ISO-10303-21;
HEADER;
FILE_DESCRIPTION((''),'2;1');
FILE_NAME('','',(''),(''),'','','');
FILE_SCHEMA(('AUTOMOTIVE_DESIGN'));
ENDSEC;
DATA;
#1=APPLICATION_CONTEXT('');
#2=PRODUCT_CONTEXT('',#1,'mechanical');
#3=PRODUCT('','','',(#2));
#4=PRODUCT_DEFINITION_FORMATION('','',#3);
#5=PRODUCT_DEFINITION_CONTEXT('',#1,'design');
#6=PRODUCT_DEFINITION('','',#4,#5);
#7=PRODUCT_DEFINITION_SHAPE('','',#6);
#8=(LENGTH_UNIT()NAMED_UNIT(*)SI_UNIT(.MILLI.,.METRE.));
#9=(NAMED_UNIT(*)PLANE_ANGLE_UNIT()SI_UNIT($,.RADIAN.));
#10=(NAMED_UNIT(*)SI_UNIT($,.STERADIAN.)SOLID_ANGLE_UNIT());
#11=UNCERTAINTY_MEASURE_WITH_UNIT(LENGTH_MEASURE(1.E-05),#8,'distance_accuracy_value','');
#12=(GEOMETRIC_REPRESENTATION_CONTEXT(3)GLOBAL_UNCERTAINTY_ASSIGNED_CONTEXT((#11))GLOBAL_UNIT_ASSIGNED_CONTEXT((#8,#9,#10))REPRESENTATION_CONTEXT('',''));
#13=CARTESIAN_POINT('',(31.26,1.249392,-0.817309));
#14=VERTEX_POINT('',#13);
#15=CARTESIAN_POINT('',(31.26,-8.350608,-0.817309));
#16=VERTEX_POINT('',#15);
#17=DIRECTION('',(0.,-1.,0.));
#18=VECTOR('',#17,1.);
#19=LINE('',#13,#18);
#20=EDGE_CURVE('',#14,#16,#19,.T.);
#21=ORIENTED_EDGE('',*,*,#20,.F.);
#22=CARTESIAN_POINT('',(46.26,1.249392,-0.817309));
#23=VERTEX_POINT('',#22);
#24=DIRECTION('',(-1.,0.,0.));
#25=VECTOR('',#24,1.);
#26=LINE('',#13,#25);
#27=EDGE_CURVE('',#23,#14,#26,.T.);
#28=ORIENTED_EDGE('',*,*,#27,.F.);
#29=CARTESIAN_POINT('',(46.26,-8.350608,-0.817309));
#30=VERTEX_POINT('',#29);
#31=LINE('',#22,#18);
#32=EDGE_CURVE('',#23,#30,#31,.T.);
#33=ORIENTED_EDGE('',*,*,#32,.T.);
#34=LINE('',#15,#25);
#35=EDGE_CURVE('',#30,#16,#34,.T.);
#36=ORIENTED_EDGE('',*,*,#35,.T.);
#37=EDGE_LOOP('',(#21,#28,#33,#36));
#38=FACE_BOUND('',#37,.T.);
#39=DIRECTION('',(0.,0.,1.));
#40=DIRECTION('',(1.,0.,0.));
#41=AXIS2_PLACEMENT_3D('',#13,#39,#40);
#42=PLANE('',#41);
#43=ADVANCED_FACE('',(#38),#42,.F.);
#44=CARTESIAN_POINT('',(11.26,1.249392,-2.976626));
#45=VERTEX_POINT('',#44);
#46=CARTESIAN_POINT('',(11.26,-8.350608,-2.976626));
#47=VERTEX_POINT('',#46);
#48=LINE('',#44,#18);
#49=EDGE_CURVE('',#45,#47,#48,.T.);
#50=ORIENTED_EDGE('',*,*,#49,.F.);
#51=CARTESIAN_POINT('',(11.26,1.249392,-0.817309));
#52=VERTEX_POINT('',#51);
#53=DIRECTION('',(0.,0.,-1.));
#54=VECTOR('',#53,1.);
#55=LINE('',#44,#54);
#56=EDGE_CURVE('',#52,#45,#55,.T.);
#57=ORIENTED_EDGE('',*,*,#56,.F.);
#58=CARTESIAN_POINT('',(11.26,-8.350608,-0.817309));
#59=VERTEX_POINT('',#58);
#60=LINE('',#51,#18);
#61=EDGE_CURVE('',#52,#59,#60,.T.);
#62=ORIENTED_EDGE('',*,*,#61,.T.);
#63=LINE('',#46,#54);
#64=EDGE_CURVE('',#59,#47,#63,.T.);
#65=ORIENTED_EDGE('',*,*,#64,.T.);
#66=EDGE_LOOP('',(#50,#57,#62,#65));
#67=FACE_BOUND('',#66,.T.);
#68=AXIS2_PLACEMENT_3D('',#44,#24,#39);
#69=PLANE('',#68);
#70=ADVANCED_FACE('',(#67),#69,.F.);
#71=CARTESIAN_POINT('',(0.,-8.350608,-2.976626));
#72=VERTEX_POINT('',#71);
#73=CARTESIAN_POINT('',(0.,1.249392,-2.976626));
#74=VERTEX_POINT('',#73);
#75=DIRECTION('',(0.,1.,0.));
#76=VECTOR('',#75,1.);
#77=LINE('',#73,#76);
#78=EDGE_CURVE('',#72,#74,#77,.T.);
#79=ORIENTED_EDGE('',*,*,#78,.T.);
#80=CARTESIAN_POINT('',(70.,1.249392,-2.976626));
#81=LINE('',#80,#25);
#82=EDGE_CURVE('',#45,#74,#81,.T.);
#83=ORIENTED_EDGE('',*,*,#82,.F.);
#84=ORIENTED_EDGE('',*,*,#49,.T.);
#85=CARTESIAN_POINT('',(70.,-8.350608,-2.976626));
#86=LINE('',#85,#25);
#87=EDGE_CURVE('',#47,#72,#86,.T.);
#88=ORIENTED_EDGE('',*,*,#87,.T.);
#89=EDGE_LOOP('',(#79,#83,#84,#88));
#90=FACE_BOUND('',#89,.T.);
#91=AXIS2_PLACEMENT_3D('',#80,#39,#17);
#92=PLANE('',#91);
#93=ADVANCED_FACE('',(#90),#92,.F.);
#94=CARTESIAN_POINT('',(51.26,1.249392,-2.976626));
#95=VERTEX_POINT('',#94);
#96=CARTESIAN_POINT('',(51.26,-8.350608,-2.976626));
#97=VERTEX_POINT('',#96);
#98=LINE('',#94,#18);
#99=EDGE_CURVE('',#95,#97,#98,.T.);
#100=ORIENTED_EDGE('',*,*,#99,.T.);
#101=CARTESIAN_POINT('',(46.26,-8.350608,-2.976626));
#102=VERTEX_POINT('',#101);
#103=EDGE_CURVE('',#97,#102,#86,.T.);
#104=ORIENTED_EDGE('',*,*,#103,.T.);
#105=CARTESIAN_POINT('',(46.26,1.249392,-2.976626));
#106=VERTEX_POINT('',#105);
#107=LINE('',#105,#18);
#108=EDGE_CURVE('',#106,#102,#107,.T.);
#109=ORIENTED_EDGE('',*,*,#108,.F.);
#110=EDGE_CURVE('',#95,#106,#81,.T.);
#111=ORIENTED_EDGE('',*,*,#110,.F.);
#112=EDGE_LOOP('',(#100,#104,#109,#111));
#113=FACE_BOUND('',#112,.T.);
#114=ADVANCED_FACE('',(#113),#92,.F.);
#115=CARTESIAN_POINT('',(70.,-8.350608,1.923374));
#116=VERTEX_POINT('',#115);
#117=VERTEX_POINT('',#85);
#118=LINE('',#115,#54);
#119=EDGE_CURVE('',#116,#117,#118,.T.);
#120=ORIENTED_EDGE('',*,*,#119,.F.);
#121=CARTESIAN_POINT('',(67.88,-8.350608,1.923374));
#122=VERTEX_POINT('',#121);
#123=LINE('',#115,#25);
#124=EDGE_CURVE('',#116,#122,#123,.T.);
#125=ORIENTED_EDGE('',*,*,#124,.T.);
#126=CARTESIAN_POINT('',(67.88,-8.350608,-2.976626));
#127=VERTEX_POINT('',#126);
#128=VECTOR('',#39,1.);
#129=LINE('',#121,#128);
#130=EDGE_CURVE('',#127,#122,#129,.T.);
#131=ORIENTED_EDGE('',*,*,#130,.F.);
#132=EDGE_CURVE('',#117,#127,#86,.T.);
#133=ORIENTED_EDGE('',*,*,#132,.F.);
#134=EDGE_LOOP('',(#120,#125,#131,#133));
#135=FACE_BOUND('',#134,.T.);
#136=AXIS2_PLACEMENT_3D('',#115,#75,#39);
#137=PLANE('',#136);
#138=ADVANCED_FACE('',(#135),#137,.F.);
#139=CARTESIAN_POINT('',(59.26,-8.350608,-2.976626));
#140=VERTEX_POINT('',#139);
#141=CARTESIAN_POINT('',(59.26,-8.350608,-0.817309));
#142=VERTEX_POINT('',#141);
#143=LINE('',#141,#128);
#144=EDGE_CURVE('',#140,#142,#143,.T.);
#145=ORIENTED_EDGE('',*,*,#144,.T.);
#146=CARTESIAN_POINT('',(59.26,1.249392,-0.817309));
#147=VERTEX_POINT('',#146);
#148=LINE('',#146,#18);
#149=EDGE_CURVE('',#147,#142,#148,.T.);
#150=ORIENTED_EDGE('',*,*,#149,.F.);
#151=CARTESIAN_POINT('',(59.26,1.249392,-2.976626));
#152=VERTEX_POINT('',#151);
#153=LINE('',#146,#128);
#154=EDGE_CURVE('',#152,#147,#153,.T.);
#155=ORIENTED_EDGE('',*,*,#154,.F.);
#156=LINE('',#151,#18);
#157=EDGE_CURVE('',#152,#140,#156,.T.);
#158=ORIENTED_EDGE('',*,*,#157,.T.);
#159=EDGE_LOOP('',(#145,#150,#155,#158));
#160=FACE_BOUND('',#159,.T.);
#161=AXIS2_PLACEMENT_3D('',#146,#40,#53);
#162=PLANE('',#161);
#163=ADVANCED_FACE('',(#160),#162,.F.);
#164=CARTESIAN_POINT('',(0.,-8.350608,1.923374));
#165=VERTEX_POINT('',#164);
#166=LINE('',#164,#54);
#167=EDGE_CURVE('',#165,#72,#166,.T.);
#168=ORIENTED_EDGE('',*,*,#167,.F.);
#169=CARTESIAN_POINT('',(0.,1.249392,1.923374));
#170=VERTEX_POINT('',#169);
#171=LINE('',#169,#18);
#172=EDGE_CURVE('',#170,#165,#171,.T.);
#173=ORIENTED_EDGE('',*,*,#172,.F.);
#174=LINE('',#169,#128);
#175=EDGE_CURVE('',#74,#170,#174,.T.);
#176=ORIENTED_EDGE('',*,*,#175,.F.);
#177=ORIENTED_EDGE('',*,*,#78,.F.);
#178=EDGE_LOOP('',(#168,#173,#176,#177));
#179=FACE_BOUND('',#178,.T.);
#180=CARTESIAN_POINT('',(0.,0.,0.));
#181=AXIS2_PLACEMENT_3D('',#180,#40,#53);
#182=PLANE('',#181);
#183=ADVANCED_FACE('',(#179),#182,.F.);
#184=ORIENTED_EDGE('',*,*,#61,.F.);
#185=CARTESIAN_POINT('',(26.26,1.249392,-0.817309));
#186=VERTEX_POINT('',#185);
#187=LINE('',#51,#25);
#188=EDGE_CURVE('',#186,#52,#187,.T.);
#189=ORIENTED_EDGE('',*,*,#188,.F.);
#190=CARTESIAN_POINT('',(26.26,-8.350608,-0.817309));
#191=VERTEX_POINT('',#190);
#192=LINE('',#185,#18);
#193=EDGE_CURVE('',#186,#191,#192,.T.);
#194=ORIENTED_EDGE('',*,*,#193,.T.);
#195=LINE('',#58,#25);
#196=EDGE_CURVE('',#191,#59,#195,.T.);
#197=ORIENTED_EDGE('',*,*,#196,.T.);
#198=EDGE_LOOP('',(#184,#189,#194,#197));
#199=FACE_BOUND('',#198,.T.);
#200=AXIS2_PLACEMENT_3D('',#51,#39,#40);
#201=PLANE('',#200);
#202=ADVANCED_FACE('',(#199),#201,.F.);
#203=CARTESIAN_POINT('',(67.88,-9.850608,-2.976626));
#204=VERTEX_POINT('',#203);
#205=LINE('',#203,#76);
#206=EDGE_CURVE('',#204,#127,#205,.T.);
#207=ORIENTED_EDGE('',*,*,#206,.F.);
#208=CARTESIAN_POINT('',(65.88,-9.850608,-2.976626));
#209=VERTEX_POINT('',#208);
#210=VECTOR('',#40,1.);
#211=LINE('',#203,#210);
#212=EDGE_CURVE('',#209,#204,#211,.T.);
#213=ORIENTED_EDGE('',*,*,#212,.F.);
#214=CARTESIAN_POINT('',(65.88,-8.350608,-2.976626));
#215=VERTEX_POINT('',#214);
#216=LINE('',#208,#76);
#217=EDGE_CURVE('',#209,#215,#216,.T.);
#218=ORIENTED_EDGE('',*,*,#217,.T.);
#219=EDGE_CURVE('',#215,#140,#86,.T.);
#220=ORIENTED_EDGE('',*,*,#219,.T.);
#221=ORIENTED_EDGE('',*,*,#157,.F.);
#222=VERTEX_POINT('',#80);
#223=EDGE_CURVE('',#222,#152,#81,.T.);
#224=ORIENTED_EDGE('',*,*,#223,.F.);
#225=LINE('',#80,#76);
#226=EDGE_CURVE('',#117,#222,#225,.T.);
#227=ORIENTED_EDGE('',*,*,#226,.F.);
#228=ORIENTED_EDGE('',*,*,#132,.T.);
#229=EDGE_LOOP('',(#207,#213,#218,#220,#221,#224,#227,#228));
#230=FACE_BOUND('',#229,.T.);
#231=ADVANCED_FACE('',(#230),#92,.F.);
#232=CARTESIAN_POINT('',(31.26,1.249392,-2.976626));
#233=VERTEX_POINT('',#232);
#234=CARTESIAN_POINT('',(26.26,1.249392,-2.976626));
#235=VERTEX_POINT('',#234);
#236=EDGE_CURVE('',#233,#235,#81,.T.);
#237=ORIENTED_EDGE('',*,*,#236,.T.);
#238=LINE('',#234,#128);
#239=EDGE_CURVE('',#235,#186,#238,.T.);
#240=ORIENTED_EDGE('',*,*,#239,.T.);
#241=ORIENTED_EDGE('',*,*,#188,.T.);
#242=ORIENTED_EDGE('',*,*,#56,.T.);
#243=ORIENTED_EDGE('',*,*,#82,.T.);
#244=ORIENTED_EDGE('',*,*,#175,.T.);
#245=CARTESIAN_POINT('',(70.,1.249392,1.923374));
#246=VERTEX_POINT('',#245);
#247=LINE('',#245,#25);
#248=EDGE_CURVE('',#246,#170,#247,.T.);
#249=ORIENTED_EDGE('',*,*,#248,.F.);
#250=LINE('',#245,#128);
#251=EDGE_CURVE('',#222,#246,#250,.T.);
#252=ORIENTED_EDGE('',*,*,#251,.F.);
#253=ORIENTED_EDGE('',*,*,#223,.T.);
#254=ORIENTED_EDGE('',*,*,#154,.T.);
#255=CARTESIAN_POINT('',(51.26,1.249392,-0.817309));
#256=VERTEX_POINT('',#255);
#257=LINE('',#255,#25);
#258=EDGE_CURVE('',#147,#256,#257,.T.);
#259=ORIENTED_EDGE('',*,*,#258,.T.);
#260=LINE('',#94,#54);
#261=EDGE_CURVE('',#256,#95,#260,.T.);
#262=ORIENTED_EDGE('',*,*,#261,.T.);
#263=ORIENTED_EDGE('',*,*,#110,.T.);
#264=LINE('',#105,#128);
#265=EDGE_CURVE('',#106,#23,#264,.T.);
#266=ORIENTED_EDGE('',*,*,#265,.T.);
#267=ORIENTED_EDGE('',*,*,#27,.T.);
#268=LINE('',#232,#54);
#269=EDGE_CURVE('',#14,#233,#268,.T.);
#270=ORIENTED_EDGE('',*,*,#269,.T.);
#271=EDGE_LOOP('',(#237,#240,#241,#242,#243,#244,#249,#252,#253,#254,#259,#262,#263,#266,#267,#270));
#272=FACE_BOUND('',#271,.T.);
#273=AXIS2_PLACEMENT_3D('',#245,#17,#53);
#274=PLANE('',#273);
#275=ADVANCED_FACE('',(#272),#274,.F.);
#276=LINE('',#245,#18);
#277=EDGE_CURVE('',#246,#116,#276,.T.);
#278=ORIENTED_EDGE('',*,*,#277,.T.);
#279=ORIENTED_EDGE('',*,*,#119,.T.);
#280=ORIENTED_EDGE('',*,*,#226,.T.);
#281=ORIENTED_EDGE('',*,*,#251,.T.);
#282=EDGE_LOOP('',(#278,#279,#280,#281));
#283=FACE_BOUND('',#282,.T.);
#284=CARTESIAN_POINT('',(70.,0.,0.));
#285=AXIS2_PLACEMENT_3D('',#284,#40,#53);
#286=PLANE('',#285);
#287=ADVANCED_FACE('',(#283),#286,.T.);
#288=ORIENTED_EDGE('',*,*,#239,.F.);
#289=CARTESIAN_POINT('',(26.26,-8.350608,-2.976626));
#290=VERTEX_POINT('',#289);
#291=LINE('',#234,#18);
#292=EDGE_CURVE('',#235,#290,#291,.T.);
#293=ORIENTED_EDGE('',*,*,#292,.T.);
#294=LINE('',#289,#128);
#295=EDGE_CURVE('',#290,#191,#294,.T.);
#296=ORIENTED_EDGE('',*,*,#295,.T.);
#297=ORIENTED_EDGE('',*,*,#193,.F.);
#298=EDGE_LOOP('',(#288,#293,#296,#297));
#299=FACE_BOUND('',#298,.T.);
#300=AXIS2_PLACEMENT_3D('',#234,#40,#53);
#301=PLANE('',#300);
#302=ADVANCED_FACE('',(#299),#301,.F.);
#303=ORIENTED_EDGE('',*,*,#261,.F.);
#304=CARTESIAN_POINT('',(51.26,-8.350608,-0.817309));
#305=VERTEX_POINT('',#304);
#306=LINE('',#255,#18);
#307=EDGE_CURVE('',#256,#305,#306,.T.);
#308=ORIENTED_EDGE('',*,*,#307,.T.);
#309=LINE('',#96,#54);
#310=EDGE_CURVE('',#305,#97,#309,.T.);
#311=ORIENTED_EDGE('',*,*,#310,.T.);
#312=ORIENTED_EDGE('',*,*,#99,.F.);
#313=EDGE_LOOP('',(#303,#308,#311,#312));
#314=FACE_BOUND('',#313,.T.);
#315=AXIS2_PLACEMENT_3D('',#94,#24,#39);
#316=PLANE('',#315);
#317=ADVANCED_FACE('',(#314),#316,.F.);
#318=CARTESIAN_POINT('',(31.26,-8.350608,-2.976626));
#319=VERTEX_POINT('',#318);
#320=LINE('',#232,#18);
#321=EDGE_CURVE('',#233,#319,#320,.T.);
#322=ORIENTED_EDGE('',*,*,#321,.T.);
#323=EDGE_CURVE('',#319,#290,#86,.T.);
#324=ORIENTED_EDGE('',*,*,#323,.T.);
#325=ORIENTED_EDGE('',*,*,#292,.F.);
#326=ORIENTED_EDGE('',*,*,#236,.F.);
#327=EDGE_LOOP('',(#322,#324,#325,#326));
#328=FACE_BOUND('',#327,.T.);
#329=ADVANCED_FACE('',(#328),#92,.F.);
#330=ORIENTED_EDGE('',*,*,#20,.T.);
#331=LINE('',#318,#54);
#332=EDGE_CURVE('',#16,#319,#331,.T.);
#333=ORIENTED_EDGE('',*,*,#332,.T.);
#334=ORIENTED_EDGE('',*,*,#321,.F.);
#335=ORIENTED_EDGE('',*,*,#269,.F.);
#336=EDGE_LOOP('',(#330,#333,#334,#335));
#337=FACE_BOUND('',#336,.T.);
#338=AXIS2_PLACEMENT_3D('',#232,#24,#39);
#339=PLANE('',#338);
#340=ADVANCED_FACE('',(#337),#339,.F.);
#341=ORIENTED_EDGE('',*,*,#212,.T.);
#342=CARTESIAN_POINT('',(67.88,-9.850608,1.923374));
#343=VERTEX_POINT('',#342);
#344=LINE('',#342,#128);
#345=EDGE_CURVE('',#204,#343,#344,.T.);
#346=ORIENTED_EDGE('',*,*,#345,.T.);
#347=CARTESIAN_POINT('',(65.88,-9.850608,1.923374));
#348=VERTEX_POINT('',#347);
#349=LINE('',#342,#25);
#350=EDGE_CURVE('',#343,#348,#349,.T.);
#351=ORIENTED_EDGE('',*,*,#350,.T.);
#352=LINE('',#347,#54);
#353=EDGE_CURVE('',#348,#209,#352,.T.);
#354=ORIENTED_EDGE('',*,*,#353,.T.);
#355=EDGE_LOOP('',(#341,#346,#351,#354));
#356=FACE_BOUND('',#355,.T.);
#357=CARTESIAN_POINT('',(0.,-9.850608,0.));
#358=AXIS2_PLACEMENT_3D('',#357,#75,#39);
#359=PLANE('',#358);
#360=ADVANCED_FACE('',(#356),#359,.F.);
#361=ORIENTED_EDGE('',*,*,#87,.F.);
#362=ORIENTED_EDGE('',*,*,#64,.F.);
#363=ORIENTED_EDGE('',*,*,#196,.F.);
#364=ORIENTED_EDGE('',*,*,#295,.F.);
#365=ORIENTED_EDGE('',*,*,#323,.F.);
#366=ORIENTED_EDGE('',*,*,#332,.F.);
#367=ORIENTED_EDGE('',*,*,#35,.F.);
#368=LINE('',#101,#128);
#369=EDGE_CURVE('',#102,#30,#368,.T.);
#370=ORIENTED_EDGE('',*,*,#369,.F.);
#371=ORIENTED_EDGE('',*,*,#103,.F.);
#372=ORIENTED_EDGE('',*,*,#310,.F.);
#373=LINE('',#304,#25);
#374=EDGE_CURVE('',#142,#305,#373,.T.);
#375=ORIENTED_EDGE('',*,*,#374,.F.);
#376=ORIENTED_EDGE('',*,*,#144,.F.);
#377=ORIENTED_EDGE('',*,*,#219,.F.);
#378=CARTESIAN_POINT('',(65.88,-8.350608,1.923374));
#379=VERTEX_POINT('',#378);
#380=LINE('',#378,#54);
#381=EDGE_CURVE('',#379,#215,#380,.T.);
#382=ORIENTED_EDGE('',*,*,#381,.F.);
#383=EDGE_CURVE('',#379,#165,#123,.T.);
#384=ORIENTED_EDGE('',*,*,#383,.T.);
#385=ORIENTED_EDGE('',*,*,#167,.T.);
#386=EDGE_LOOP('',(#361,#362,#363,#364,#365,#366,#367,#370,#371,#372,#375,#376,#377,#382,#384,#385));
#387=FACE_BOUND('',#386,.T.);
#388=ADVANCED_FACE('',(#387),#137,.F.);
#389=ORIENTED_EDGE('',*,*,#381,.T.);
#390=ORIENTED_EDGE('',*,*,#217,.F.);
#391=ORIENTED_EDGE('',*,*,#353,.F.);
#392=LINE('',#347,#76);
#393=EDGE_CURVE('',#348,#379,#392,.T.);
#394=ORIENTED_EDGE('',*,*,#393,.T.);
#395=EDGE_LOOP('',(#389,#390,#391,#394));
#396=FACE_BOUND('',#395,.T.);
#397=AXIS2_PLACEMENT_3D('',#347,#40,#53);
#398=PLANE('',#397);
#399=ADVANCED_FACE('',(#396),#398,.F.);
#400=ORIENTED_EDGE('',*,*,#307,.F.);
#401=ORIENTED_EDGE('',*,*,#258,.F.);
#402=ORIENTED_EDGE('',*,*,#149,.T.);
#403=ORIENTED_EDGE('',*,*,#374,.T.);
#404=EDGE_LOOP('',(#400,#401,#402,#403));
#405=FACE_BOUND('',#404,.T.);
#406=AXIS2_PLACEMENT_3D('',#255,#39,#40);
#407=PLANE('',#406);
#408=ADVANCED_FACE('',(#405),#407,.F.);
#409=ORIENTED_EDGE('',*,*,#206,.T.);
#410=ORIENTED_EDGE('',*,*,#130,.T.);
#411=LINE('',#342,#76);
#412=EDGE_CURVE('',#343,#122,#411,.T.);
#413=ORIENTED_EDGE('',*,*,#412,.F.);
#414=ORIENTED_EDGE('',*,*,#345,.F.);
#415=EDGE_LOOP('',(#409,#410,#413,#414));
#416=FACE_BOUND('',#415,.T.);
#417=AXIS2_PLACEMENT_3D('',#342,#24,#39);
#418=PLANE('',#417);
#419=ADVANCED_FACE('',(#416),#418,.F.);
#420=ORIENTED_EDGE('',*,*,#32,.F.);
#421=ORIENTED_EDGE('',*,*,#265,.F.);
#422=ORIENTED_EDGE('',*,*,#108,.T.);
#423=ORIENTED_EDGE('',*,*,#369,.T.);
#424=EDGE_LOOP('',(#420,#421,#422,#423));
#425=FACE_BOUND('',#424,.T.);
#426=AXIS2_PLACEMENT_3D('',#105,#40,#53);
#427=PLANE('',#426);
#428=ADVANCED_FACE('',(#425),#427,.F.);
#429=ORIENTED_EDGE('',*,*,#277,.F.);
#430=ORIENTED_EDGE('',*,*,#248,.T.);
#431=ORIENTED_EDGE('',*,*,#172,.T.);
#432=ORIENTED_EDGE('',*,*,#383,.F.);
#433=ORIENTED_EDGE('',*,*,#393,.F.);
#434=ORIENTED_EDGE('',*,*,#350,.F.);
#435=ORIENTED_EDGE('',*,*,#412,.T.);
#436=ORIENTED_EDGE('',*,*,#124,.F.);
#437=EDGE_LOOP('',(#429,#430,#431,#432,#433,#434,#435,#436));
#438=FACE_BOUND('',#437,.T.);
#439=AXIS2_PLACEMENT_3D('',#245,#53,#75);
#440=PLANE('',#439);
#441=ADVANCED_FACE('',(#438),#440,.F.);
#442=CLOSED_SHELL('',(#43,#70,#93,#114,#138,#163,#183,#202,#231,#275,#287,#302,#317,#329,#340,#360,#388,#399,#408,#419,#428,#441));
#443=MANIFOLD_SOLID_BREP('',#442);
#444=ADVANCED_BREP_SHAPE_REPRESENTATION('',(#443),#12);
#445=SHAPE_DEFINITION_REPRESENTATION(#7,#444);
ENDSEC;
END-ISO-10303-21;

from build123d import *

# Parameters (mm, degrees)
SKETCH_1_W          = 4.9
SKETCH_1_H          = 9.6
EXTRUDE_1_DEPTH     = 70
SKETCH_2_W          = 8
SKETCH_2_H          = 2.159316865
SKETCH_2_W_2        = 15
CUT_EXTRUDE_1_DEPTH = 71.717892378
SKETCH_3_W          = 2
SKETCH_3_H          = 4.9
EXTRUDE_2_DEPTH     = 1.5


with BuildPart() as part:
    # 草图1 → 凸台-拉伸1 (new body)
    with BuildSketch(Plane(origin=(0, 0, 0), x_dir=(0, 0, -1), z_dir=(1, 0, 0))):
        with Locations((0.526626016, -3.550608051)):
            Rectangle(SKETCH_1_W, SKETCH_1_H)
    extrude(amount=EXTRUDE_1_DEPTH)

    # 草图2 → 切除-拉伸1 (cut, through all)
    with BuildSketch(Plane.XZ.offset(8.350608051)):
        with Locations((55.26, -1.896967583)):
            Rectangle(SKETCH_2_W, SKETCH_2_H)
        with Locations((38.76, -1.896967583)):
            Rectangle(SKETCH_2_W_2, SKETCH_2_H)
        with Locations((18.76, -1.896967583)):
            Rectangle(SKETCH_2_W_2, SKETCH_2_H)
    extrude(amount=-CUT_EXTRUDE_1_DEPTH, mode=Mode.SUBTRACT)

    # 草图3 → 凸台-拉伸2 (add)
    with BuildSketch(Plane.XZ.offset(8.350608051)):
        with Locations((66.88, -0.526626016)):
            Rectangle(SKETCH_3_W, SKETCH_3_H)
    extrude(amount=EXTRUDE_2_DEPTH)


solid = part.part
